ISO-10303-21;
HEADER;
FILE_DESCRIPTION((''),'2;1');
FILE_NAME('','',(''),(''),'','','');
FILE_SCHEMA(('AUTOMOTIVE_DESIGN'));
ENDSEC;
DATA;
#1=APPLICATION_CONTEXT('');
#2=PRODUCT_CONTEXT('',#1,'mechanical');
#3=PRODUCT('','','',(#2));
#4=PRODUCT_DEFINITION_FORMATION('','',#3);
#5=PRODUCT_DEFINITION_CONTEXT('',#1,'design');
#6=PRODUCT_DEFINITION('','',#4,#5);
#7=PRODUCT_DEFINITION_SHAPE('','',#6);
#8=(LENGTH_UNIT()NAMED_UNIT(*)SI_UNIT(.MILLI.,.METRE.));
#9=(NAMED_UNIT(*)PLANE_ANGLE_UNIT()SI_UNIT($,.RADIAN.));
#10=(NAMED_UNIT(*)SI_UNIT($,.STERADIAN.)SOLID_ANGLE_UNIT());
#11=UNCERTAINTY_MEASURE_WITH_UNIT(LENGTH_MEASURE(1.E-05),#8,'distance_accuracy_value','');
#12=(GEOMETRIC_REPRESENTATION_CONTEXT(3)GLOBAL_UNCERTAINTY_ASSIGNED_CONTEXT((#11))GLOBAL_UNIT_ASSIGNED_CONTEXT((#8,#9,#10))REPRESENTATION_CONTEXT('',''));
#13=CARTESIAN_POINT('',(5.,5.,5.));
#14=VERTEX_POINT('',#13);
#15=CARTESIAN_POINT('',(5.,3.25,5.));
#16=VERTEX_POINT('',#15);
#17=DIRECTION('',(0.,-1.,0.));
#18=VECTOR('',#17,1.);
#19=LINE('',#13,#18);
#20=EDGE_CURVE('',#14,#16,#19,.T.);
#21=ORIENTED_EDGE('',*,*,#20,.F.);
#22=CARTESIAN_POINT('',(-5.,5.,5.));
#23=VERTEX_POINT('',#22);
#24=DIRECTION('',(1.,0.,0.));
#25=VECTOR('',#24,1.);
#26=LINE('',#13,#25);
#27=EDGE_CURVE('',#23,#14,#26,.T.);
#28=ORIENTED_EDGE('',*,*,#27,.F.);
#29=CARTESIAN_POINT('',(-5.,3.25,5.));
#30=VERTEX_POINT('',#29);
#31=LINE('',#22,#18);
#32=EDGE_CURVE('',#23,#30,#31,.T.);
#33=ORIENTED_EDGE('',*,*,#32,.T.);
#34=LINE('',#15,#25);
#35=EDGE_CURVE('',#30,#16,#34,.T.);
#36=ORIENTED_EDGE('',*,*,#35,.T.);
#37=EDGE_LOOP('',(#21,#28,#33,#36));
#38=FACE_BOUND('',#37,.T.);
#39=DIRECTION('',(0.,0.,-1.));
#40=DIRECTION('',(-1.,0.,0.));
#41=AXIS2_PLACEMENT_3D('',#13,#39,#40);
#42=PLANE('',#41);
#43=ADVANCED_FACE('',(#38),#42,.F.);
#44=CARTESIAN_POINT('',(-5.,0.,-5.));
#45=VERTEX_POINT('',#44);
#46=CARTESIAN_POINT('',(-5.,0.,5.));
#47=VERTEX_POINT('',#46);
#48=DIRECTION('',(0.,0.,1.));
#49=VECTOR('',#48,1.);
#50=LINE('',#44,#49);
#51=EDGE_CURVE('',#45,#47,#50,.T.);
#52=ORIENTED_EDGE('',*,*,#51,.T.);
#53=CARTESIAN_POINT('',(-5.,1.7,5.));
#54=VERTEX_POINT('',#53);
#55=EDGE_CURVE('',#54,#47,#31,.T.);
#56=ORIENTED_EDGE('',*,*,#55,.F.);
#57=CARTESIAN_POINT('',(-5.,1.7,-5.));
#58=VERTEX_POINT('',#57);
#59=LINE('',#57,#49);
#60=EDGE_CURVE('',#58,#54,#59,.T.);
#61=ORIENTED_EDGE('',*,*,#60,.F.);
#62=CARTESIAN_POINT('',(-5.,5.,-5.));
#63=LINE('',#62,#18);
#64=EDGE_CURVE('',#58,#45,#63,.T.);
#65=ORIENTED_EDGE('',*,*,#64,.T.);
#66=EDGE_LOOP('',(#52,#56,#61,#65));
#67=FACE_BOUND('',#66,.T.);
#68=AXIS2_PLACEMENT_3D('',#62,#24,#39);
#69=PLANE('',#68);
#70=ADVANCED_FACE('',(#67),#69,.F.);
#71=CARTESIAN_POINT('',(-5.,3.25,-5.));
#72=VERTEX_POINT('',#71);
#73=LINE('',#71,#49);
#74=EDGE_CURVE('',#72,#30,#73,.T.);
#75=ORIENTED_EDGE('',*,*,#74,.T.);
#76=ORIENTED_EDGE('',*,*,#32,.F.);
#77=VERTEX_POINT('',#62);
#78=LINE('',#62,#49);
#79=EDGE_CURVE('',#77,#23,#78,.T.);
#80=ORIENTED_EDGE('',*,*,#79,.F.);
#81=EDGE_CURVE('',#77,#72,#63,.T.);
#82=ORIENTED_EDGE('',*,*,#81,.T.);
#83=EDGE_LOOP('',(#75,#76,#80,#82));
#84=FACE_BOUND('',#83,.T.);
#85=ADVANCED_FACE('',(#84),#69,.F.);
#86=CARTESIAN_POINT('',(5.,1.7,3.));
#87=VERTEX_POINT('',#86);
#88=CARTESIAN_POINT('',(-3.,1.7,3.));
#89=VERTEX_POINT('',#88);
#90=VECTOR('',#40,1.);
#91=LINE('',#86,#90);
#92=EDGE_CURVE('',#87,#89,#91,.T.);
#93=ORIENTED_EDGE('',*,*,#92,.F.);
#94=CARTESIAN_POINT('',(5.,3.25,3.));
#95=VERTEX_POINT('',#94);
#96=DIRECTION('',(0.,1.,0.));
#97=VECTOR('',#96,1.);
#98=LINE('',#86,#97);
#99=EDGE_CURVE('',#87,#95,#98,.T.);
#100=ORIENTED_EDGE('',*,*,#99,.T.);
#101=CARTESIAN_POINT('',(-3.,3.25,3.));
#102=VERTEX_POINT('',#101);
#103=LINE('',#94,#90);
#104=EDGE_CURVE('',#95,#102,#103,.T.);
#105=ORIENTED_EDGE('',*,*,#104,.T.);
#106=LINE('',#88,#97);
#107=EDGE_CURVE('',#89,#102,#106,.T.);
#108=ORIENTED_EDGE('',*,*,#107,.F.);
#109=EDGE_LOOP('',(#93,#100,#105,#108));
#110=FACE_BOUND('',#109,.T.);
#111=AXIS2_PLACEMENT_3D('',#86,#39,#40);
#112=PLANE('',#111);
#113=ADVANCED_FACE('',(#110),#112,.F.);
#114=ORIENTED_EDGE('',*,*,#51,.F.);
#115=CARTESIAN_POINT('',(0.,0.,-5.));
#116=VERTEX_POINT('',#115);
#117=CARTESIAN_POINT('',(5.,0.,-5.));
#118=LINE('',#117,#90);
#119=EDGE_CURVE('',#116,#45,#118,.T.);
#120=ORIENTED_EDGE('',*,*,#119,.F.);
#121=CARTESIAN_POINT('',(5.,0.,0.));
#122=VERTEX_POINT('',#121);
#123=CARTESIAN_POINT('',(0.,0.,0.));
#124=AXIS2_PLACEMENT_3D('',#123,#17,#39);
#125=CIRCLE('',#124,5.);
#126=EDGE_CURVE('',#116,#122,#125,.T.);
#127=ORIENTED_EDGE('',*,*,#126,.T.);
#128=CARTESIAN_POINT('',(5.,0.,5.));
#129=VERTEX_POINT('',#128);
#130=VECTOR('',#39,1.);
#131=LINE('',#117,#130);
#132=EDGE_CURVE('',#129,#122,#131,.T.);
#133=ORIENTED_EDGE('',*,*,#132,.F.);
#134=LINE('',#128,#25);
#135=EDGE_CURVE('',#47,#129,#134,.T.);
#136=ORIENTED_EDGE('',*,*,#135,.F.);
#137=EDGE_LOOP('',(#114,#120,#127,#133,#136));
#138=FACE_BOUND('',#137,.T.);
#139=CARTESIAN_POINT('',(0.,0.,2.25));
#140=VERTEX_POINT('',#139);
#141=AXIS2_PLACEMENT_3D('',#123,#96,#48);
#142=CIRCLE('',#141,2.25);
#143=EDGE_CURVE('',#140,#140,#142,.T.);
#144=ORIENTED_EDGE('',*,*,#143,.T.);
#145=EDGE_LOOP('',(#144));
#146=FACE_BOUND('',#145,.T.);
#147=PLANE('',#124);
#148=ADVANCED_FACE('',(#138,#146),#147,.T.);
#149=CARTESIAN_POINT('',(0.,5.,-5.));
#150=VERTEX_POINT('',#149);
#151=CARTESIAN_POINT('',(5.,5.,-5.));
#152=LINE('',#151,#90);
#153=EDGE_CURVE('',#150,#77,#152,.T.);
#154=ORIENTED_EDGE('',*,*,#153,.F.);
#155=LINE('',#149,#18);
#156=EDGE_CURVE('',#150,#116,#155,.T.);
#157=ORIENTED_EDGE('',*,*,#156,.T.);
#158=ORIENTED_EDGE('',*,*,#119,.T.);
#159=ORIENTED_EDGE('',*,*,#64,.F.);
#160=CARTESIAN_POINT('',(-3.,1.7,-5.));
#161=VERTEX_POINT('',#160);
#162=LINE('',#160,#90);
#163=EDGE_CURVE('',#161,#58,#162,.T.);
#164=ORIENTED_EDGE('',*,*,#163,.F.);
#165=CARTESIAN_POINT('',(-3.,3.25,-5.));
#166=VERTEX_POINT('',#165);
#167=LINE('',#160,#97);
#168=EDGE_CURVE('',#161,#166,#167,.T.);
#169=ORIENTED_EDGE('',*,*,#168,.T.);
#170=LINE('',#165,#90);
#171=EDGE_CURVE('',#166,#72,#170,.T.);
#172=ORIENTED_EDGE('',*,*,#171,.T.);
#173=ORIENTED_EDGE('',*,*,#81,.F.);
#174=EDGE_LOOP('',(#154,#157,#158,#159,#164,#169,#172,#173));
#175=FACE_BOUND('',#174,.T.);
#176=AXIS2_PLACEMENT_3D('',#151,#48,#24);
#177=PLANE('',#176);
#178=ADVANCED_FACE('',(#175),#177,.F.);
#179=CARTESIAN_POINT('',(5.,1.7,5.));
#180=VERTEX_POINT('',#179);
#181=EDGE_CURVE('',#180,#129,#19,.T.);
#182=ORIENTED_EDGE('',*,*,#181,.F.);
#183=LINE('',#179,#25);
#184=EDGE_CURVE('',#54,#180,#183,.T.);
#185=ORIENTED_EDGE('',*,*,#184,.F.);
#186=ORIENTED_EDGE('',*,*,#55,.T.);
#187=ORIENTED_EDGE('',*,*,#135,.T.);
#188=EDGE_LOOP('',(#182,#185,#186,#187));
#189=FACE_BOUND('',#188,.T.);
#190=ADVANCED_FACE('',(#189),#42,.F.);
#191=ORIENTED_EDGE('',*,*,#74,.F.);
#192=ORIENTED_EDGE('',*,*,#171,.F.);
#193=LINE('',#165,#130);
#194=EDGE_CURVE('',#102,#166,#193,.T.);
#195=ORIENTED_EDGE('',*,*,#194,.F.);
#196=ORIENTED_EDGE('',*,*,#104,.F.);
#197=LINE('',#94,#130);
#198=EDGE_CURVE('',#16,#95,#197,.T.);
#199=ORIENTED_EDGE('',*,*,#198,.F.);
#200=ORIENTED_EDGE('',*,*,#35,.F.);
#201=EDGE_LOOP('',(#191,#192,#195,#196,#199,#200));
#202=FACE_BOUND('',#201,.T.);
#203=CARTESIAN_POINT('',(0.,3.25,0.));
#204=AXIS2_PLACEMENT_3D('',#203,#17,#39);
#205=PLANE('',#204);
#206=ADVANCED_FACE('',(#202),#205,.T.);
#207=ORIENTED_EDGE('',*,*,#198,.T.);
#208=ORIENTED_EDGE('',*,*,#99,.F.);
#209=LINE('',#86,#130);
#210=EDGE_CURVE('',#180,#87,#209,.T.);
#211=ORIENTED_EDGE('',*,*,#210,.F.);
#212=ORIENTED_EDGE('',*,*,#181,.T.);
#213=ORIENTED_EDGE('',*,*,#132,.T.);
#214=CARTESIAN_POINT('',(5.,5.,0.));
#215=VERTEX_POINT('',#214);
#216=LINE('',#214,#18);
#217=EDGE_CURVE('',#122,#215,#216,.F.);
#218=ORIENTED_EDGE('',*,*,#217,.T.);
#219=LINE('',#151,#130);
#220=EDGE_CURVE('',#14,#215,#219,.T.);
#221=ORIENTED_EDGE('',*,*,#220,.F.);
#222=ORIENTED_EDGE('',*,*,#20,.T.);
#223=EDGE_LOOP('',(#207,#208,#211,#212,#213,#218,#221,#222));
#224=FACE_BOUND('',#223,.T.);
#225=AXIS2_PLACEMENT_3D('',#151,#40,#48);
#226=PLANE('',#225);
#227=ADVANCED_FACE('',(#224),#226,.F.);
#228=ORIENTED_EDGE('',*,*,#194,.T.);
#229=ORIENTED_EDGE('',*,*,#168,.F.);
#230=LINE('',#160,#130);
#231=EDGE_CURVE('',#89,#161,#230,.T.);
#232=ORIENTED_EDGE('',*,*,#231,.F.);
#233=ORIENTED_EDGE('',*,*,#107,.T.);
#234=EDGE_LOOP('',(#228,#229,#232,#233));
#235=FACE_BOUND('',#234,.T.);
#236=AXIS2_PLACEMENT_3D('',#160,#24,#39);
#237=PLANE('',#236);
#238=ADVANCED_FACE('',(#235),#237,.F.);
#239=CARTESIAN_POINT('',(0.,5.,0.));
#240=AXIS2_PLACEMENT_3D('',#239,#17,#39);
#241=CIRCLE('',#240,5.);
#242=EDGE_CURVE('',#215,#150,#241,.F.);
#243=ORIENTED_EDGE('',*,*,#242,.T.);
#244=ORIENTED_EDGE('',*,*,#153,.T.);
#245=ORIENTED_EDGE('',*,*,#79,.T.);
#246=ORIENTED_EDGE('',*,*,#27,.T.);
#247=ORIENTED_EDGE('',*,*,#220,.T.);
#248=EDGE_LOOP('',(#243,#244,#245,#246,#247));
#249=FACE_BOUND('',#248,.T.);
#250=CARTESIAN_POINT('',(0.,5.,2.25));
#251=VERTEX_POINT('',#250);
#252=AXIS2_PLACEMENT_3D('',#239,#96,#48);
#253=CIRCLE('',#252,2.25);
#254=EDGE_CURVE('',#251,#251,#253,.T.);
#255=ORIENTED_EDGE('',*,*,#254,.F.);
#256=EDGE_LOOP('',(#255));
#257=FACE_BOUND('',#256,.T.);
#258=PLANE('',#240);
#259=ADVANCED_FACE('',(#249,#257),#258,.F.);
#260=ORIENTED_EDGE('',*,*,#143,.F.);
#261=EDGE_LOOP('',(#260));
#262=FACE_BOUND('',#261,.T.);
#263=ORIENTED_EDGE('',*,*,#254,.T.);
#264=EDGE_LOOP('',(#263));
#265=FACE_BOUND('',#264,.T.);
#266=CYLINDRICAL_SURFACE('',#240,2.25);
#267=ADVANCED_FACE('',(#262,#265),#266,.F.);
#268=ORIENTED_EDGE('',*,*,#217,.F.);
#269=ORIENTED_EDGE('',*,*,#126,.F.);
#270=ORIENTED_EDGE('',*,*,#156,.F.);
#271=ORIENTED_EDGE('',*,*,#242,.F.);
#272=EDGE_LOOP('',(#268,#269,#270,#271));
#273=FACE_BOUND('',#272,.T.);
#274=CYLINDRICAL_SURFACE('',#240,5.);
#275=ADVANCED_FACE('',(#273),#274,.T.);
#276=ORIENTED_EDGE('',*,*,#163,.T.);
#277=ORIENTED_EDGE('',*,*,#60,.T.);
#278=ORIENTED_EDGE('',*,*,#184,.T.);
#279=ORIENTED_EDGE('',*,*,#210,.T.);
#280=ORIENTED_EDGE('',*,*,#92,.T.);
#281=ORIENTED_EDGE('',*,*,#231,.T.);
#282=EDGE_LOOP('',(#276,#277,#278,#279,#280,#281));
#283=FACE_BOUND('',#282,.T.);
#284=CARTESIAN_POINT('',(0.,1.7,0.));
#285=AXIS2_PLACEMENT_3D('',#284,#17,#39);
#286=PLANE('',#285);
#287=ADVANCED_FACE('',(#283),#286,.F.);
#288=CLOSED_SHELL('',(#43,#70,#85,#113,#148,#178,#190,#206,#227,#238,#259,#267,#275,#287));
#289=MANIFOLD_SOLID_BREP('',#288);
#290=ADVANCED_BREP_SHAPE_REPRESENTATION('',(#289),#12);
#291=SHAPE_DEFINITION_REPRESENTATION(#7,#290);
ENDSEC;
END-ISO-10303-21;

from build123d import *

# Parameters (mm, degrees)
SKETCH1_W           = 10
SKETCH1_H           = 10
SKETCH1_R           = 2.25
BOSS_EXTRUDE1_DEPTH = 5
CUT_EXTRUDE1_START  = -1.75
CUT_EXTRUDE1_DEPTH  = 1.55
FILLET1_R           = 5


with BuildPart() as part:
    # Sketch1 → Boss-Extrude1 (new body)
    with BuildSketch(Plane(origin=(0, 0, 0), x_dir=(1, 0, 0), z_dir=(0, 1, 0))):
        Rectangle(SKETCH1_W, SKETCH1_H)
        with Locations(Location((0, 0, 0), (0, 0, 270))):
            Circle(SKETCH1_R, mode=Mode.SUBTRACT)
    extrude(amount=BOSS_EXTRUDE1_DEPTH)

    # Sketch2 → Cut-Extrude1 (cut)
    with BuildSketch(Plane(origin=(0, 5, 0), x_dir=(1, 0, 0), z_dir=(0, 1, 0)).offset(CUT_EXTRUDE1_START)):
        Polygon((-3, 5), (-5, 5), (-5, -5), (5, -5), (5, -3), (-3, -3), align=None)
    extrude(amount=-CUT_EXTRUDE1_DEPTH, mode=Mode.SUBTRACT)

    # Fillet1
    fillet1_edges = [part.edges().sort_by_distance(p)[0] for p in [
        (5, 2.5, -5),
    ]]
    fillet(fillet1_edges, radius=FILLET1_R)


solid = part.part
